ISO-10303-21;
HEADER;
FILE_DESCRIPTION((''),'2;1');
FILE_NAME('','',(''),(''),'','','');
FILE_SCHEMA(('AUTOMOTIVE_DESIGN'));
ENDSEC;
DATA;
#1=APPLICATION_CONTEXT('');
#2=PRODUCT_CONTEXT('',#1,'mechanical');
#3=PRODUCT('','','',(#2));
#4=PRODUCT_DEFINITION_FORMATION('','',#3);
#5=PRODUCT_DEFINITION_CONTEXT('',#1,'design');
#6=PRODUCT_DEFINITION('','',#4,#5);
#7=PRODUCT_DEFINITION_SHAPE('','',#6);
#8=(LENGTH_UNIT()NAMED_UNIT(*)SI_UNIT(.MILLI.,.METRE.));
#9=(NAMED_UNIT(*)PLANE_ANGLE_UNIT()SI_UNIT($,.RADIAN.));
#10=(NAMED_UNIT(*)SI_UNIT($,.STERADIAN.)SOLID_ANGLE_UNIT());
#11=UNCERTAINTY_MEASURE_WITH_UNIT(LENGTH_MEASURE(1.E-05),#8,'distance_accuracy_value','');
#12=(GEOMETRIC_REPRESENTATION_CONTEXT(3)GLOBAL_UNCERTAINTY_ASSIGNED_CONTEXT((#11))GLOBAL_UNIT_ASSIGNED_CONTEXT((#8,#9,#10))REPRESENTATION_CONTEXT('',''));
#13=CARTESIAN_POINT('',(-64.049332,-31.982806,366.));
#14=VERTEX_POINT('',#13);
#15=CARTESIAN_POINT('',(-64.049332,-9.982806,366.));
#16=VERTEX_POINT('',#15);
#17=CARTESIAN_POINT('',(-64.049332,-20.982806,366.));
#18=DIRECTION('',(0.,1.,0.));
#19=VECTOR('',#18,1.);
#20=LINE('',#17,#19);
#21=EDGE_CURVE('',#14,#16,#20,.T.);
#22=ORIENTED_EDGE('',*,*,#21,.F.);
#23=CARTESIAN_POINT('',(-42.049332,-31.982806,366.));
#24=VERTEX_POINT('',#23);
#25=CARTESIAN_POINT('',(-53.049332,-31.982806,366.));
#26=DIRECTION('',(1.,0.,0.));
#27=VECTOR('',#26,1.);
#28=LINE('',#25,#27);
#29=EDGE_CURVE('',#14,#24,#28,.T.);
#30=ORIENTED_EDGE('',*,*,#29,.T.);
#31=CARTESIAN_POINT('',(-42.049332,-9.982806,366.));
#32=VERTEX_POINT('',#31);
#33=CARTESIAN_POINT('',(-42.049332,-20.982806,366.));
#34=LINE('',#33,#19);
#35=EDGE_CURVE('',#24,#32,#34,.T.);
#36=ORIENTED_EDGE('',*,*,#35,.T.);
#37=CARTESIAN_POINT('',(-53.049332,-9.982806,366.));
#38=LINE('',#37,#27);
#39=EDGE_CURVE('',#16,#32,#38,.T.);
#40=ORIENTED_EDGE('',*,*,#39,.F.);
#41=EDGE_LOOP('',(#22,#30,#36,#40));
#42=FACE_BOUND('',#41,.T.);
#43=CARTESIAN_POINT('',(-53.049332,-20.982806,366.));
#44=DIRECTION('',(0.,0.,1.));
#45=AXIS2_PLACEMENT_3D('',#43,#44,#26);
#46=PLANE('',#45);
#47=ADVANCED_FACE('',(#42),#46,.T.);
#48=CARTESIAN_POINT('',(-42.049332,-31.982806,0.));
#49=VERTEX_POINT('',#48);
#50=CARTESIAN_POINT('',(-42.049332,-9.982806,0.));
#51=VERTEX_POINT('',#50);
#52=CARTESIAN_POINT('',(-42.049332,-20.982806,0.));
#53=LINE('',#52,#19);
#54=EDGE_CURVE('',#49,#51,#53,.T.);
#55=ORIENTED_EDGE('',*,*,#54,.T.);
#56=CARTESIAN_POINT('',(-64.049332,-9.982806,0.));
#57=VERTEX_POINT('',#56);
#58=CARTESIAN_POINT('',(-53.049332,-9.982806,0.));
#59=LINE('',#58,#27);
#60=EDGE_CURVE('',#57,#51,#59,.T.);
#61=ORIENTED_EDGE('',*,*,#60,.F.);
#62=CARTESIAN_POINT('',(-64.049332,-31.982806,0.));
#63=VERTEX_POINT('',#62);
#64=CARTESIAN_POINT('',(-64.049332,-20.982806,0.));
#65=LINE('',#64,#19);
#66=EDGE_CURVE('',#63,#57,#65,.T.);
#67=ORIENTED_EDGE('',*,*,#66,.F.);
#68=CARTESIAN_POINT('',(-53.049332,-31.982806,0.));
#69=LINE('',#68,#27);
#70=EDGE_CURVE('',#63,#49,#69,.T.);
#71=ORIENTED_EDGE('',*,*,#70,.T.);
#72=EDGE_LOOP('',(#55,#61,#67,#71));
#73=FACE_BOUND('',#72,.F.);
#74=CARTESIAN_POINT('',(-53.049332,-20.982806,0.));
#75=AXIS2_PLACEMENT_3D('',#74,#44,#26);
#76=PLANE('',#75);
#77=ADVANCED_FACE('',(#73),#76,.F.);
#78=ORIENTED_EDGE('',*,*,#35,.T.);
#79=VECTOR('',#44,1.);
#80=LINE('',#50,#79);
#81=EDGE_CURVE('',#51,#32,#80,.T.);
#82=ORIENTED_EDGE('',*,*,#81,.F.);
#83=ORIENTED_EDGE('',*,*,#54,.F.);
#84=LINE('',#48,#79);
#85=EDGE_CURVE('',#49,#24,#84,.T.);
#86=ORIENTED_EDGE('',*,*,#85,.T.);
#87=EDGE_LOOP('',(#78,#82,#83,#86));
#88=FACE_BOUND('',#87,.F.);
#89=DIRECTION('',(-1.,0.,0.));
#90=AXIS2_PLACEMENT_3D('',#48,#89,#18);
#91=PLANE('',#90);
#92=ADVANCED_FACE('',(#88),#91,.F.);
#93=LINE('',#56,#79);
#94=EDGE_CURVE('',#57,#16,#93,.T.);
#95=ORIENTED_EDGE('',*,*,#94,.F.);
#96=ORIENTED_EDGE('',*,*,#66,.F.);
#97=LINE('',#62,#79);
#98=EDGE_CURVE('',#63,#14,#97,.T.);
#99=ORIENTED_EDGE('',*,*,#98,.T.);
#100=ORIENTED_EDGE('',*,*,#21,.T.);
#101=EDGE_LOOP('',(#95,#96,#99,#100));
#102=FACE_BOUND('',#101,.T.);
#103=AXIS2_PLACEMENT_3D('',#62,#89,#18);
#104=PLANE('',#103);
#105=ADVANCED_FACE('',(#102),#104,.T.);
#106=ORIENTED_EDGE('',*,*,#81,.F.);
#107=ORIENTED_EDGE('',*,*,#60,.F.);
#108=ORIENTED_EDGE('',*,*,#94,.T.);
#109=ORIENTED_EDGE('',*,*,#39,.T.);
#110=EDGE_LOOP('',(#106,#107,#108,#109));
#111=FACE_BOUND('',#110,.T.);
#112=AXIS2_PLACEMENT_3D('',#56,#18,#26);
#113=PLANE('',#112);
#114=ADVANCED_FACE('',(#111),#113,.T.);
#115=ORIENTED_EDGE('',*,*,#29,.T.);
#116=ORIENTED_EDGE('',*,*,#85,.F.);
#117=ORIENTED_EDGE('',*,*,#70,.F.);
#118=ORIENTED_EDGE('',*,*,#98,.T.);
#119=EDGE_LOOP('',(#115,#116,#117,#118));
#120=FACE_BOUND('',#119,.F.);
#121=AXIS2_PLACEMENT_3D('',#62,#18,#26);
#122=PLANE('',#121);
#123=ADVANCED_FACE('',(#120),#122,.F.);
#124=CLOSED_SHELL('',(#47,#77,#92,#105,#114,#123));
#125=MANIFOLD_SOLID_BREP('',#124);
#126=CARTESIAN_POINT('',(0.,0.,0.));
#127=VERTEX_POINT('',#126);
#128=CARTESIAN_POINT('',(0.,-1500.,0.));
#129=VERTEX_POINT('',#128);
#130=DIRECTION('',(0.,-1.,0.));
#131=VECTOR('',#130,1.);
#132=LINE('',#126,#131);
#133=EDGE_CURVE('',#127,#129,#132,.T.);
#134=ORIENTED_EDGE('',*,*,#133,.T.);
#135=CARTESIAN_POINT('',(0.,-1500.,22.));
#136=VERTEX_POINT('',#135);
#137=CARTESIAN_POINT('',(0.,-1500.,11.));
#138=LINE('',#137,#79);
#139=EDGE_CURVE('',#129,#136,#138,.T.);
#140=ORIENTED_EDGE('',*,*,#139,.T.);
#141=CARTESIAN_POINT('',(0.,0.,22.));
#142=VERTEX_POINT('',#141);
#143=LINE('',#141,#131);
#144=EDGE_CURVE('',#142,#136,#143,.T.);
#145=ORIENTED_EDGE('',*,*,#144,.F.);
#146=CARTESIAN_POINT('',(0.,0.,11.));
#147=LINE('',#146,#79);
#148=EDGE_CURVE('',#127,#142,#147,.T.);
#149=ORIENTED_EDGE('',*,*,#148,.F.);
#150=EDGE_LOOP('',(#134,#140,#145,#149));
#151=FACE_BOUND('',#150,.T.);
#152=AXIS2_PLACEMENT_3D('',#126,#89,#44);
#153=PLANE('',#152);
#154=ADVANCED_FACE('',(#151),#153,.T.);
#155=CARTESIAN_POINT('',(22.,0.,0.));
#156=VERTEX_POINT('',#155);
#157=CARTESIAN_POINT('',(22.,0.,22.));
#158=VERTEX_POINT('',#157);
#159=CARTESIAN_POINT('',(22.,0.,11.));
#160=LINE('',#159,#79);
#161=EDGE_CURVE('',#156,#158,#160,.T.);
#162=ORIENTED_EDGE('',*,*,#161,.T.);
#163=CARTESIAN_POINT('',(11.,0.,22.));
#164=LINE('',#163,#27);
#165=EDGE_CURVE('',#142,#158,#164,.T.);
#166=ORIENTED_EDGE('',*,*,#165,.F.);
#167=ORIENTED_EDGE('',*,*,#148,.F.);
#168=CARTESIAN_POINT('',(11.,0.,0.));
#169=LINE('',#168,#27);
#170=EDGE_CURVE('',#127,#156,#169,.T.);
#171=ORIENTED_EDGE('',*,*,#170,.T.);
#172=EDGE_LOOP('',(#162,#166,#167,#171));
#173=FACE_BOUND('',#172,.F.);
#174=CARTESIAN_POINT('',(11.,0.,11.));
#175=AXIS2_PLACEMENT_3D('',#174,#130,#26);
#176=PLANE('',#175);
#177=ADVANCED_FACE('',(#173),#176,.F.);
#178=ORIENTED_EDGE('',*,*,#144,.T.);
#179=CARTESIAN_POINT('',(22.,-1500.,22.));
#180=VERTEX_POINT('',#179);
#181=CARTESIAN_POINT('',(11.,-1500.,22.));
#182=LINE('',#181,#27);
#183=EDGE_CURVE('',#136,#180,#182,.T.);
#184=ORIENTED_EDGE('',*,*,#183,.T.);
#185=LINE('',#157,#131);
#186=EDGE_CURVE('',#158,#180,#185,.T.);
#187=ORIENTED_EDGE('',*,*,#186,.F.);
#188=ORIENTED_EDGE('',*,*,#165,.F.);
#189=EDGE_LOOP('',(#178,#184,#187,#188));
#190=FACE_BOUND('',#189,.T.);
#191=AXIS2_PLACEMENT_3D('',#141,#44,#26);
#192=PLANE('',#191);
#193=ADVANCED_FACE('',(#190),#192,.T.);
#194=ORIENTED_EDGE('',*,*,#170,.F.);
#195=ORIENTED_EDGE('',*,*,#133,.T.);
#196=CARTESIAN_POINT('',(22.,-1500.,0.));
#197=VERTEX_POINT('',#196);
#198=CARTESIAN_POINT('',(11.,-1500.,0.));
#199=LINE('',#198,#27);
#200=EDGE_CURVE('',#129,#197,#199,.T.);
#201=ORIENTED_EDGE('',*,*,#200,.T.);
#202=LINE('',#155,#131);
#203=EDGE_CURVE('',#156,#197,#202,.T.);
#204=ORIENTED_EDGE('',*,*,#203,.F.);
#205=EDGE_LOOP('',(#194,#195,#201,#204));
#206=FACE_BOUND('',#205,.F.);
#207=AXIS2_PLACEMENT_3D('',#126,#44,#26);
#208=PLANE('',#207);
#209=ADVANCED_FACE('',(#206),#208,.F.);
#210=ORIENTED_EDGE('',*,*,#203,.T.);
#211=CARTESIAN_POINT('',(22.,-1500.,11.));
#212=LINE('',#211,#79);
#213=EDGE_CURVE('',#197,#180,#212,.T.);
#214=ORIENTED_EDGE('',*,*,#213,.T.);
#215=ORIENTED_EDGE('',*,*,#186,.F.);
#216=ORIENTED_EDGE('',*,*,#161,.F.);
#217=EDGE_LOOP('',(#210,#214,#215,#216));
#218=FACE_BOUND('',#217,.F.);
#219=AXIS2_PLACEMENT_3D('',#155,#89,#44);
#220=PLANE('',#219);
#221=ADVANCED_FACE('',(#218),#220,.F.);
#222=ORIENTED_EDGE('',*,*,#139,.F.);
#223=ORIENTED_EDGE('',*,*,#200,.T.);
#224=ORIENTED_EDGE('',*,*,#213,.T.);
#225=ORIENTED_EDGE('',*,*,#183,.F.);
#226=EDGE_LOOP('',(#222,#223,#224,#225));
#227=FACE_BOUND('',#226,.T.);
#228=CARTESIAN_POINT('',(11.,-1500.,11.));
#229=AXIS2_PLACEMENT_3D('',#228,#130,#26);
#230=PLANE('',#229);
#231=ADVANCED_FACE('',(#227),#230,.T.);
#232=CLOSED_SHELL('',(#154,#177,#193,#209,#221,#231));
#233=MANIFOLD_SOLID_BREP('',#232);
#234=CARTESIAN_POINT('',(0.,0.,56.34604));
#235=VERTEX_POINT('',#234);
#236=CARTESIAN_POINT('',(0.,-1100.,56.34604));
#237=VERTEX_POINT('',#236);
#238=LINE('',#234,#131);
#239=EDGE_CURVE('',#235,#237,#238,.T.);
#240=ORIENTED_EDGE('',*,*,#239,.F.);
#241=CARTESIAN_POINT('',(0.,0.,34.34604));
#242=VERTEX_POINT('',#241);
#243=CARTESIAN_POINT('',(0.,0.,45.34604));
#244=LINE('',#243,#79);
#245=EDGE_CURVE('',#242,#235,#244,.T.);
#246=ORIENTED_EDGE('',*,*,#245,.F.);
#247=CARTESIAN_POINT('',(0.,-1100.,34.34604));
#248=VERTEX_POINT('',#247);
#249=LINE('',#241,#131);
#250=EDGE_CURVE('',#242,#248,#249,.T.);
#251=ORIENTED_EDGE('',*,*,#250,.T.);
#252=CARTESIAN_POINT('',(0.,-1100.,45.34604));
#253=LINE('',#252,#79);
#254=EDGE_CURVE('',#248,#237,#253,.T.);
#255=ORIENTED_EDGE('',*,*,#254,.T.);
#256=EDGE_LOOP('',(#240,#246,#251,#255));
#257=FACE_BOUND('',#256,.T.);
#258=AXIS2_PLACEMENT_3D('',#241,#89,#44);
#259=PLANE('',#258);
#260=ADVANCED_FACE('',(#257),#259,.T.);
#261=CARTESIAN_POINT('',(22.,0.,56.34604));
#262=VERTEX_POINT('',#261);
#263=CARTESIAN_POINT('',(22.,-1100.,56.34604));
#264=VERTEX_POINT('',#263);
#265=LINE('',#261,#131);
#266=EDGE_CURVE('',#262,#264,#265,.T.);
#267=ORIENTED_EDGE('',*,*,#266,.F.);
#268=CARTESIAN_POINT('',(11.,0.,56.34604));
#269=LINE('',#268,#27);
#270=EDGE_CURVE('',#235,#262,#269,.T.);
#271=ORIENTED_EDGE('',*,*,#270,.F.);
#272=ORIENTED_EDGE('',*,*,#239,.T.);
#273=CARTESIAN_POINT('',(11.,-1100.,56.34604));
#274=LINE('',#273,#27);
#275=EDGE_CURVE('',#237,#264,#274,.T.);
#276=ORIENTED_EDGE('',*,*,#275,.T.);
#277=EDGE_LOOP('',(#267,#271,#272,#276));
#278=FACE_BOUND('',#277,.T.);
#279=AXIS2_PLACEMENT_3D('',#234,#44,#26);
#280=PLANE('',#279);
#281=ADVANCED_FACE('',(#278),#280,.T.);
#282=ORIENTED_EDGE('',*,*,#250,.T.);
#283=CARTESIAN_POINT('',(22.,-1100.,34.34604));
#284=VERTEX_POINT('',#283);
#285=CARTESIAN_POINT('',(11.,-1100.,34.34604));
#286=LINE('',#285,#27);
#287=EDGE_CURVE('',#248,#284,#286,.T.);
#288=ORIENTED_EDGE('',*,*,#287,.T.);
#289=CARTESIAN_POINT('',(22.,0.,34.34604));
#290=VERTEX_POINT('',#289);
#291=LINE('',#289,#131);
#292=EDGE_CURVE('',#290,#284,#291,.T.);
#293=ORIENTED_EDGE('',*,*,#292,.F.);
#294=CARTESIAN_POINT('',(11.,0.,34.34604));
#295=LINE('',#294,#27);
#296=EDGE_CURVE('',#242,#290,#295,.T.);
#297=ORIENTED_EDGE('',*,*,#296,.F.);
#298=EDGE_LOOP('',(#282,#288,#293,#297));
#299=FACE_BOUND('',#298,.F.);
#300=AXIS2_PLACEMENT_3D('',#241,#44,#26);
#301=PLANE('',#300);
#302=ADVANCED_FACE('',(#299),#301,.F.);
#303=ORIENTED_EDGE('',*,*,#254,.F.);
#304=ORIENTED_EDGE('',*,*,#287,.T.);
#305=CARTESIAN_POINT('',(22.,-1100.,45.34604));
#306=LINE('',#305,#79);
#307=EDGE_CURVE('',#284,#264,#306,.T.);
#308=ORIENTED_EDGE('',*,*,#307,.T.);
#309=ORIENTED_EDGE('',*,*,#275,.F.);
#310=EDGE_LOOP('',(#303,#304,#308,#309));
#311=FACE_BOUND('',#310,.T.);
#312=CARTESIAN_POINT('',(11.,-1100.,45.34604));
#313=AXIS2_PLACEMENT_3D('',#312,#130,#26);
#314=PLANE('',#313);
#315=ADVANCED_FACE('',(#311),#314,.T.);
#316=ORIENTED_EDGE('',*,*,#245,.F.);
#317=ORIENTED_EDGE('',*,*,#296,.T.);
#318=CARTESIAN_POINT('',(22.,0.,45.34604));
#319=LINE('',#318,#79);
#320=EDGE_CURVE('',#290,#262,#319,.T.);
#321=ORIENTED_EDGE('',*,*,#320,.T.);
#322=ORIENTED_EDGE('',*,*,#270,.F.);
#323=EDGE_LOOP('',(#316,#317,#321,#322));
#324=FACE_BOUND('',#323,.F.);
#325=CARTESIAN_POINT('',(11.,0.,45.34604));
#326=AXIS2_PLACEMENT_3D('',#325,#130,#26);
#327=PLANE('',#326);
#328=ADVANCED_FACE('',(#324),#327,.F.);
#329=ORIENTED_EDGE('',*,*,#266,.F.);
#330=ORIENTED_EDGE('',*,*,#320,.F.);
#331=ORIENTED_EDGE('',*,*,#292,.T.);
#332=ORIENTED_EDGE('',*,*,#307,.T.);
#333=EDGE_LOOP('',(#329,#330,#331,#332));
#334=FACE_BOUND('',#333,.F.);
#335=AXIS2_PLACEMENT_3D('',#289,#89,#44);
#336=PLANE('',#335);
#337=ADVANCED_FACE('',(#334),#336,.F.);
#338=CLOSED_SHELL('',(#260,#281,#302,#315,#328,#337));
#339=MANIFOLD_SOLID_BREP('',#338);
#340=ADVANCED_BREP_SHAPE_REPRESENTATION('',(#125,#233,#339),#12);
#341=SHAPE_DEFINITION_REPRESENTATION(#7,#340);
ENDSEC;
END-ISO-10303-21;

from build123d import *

# Parameters (mm, degrees)
F3_W     = 22
F3_H     = 22
F4_DEPTH = 1500
F5_W     = 22
F5_H     = 22
F6_DEPTH = 366
F7_W     = 22
F7_H     = 22
F8_DEPTH = 1100


with BuildPart() as f4:
    # F3 (on Front) → F4 (new body)
    with BuildSketch(Plane.XZ):
        with Locations((11, 11)):
            Rectangle(F3_W, F3_H)
    extrude(amount=F4_DEPTH)


with BuildPart() as f6:
    # F5 (on Top) → F6 (new body)
    with BuildSketch(Plane.XY):
        with Locations((-53.0493322164, -20.9828059624)):
            Rectangle(F5_W, F5_H)
    extrude(amount=F6_DEPTH)


with BuildPart() as f8:
    # F7 (on Front) → F8 (new body)
    with BuildSketch(Plane.XZ):
        with Locations((11, 45.3460401942)):
            Rectangle(F7_W, F7_H)
    extrude(amount=F8_DEPTH)


solid = Compound([f4.part, f6.part, f8.part])
